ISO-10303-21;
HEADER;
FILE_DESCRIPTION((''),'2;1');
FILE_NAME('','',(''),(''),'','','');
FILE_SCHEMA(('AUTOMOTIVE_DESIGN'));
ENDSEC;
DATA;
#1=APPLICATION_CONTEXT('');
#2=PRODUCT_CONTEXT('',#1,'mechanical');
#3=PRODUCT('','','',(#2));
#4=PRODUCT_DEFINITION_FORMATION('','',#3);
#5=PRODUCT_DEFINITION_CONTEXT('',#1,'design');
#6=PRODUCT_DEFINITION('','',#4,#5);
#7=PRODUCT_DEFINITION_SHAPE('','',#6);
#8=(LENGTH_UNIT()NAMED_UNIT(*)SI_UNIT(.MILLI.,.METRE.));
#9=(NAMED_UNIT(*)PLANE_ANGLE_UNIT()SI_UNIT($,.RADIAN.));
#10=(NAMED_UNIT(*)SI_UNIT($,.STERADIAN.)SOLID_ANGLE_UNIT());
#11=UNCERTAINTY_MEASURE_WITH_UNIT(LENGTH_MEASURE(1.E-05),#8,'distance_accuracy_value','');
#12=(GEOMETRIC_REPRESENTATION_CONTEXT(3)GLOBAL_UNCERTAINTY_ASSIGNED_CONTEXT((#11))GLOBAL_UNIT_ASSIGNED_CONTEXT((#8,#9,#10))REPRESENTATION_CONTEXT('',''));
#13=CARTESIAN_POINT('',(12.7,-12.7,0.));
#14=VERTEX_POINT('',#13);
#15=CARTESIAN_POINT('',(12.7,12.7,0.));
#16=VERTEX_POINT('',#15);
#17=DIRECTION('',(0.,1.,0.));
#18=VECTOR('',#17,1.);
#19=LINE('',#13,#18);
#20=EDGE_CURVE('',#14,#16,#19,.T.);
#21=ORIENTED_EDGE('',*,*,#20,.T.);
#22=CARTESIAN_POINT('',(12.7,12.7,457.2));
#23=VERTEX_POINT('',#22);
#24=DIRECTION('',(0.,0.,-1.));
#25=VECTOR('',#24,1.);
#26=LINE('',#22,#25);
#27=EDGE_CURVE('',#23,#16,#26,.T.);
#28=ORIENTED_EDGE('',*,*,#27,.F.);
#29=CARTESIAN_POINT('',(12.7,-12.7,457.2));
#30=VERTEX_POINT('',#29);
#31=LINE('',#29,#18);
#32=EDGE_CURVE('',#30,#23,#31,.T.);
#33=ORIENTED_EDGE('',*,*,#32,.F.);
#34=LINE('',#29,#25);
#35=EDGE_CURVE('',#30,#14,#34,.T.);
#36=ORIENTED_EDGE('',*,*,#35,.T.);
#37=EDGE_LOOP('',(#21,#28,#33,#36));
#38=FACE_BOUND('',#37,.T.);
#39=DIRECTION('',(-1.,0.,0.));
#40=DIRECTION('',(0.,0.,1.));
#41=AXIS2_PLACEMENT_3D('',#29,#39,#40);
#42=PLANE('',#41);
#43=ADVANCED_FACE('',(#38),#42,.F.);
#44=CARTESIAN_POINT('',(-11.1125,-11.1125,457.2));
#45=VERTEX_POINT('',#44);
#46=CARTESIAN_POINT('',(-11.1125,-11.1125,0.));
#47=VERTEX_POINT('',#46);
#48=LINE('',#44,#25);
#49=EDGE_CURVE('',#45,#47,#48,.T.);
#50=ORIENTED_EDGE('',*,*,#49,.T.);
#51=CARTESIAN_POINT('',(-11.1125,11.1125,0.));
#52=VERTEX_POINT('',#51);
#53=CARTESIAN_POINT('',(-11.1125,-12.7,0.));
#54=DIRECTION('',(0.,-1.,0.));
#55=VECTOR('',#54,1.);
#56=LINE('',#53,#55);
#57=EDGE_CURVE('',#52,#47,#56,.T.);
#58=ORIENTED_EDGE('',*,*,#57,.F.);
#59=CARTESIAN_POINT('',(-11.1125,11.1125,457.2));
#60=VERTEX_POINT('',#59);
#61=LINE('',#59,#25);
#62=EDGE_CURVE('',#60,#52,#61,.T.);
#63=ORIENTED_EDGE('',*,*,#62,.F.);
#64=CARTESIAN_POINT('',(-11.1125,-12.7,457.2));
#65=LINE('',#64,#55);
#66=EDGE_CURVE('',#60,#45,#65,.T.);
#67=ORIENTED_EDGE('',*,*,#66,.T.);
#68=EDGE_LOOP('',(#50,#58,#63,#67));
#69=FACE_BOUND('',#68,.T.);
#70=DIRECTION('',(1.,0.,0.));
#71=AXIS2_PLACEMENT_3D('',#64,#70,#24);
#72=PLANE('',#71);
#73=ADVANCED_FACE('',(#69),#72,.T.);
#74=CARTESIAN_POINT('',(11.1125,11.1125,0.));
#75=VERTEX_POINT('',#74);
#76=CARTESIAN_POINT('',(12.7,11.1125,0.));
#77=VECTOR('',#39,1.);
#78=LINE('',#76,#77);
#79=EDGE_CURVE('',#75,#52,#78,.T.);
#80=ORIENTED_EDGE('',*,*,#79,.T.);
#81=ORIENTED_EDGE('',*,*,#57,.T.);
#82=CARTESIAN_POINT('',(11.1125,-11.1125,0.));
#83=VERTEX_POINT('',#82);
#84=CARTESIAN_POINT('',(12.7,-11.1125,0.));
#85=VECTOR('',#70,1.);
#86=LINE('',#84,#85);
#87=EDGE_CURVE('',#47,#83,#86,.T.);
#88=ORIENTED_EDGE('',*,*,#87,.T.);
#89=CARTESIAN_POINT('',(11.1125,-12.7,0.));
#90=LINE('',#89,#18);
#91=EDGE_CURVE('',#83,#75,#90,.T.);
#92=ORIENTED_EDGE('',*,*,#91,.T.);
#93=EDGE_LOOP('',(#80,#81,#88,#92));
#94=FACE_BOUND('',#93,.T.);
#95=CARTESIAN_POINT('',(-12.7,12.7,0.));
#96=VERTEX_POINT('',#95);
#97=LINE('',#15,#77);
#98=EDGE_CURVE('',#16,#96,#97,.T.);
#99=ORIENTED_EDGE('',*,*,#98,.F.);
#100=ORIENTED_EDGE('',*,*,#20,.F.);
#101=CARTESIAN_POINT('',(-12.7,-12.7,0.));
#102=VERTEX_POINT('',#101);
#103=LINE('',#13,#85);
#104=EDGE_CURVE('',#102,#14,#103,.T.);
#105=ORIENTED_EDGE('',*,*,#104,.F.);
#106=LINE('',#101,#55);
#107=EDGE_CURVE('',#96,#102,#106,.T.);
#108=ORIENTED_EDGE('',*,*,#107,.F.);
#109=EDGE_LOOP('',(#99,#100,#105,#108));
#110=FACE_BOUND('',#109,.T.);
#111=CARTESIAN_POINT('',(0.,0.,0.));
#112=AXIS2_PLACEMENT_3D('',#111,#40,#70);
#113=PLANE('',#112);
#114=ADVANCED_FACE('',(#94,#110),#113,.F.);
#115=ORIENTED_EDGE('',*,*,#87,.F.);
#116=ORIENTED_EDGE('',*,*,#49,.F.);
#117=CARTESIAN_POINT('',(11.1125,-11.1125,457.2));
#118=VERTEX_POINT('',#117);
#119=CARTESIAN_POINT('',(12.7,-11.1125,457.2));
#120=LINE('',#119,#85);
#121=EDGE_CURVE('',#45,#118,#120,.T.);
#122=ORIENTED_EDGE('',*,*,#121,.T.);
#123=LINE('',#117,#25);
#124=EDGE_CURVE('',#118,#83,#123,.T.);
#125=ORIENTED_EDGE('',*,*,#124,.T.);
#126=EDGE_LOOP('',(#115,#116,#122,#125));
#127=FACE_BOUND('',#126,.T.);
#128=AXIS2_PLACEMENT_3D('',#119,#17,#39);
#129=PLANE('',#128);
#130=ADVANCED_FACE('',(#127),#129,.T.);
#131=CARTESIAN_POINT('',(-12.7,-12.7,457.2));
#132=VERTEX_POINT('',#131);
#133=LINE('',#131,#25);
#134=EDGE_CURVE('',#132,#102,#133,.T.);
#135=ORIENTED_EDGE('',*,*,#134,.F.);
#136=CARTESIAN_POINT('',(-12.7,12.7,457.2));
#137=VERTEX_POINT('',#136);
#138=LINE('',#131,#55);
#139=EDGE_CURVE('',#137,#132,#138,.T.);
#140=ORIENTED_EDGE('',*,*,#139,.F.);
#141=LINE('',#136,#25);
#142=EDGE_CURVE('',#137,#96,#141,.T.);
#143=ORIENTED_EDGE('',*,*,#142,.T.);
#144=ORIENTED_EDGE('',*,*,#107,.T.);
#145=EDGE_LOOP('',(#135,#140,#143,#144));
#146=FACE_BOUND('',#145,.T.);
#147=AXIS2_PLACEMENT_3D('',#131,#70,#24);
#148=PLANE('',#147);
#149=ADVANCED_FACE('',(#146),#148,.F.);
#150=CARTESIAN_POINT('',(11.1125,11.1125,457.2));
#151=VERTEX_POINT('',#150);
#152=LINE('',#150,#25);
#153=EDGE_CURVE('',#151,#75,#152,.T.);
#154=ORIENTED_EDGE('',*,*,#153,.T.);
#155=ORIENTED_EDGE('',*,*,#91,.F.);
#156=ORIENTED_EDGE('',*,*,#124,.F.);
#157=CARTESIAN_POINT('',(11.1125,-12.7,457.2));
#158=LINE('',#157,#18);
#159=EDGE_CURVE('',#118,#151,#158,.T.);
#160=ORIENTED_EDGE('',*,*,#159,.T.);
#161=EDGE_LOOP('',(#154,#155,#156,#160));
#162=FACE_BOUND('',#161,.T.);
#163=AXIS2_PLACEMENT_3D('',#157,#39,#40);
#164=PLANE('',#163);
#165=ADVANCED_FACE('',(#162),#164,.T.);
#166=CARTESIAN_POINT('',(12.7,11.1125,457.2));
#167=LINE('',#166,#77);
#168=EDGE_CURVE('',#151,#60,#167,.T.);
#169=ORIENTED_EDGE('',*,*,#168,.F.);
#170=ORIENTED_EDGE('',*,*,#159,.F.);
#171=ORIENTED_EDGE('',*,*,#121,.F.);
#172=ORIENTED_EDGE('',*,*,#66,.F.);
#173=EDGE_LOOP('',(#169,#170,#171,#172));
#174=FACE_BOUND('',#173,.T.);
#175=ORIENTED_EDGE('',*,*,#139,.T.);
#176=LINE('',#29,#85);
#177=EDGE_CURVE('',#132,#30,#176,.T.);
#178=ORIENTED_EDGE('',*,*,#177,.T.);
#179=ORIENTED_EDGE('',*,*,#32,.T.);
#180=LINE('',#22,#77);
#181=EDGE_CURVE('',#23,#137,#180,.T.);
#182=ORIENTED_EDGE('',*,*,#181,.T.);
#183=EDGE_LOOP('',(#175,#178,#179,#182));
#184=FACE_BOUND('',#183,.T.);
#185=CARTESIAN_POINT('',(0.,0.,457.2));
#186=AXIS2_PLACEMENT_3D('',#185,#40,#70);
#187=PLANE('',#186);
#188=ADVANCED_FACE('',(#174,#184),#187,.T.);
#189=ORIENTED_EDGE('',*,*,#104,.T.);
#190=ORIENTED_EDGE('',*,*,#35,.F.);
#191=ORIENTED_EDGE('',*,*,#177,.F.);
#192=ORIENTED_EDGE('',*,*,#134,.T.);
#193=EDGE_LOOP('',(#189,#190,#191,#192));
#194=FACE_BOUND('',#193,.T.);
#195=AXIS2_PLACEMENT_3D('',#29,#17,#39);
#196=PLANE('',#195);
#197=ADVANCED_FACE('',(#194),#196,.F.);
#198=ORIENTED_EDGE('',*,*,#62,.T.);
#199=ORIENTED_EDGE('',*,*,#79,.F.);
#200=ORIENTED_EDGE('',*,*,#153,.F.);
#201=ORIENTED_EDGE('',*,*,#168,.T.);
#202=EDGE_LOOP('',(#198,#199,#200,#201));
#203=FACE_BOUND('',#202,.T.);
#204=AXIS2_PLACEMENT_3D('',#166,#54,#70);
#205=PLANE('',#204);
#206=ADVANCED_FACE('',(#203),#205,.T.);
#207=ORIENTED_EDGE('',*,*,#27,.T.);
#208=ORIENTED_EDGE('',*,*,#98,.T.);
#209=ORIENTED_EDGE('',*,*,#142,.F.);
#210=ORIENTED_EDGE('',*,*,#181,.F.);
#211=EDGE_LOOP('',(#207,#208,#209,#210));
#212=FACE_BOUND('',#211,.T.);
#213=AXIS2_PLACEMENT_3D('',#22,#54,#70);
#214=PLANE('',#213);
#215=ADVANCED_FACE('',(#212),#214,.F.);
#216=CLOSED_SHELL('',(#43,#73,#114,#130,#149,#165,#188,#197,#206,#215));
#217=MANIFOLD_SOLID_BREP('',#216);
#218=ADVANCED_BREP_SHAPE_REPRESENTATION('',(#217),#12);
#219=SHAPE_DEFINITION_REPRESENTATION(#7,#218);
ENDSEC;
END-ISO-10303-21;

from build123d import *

# Parameters (mm, degrees)
SKETCH1_W           = 25.4
SKETCH1_H           = 25.4
SKETCH1_W_2         = 22.225
SKETCH1_H_2         = 22.225
EXTRUDE_THIN1_DEPTH = 457.2


with BuildPart() as part:
    # Sketch1 → Extrude-Thin1 (new body)
    with BuildSketch(Plane.XY):
        Rectangle(SKETCH1_W, SKETCH1_H)
        Rectangle(SKETCH1_W_2, SKETCH1_H_2, mode=Mode.SUBTRACT)
    extrude(amount=EXTRUDE_THIN1_DEPTH)


solid = part.part
